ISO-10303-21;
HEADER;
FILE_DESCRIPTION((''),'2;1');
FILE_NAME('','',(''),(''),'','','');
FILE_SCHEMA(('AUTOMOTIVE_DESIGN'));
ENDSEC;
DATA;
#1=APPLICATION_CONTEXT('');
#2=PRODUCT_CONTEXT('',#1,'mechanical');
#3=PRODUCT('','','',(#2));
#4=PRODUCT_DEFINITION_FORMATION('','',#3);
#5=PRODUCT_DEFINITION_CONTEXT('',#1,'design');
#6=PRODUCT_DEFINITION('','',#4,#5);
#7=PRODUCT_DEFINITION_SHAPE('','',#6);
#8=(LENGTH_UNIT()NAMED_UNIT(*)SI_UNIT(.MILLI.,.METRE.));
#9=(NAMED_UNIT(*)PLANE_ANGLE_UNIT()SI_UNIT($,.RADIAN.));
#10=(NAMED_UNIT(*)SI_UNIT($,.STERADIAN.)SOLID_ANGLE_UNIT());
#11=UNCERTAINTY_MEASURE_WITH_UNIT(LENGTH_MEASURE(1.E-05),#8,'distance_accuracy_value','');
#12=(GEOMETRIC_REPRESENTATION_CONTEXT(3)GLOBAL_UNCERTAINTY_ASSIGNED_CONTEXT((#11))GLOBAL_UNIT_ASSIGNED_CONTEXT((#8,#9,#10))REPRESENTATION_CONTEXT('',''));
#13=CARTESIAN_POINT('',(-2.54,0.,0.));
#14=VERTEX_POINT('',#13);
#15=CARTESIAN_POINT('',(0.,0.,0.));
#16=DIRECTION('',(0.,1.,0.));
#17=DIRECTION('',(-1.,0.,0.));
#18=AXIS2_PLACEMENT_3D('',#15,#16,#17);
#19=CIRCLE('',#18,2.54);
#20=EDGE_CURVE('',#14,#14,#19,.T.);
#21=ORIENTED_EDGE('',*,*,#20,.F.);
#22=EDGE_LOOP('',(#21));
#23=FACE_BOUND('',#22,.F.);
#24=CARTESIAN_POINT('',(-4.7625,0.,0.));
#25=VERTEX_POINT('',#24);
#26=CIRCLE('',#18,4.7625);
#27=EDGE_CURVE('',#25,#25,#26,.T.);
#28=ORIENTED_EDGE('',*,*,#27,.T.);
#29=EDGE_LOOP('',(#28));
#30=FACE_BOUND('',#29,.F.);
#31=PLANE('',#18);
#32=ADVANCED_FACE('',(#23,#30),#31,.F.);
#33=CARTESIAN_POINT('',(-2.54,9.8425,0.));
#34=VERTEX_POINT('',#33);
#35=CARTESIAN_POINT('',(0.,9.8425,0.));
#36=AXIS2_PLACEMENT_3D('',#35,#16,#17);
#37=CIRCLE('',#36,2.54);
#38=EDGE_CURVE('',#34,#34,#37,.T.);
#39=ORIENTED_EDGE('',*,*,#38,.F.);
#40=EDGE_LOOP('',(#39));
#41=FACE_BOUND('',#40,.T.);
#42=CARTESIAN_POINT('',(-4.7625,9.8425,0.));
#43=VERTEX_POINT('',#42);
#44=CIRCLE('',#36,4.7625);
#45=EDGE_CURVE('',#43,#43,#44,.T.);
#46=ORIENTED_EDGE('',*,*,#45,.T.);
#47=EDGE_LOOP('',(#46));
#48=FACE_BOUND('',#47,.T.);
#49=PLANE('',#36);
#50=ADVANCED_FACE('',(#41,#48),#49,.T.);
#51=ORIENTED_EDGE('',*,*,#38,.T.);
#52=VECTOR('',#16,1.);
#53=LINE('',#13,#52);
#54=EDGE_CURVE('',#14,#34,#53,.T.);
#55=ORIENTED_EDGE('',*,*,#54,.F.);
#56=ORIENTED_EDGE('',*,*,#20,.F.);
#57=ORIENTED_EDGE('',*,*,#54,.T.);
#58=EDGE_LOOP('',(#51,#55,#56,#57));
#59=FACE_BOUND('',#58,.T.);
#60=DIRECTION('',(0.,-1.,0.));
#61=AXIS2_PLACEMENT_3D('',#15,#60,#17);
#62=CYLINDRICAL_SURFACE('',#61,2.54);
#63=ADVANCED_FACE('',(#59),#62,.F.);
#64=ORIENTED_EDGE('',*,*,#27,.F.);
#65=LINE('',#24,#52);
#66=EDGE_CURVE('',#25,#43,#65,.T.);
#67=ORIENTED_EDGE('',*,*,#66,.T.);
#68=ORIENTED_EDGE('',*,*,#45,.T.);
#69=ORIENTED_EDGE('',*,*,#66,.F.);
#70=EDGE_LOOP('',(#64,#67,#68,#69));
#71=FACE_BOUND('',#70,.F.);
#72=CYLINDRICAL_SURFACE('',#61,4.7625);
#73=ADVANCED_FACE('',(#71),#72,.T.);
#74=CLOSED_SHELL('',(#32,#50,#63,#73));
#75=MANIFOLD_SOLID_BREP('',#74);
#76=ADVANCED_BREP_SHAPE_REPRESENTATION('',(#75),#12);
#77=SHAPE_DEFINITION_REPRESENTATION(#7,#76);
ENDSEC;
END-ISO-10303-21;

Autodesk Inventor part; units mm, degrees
ref_plane "YZ Plane" through (0, 0, 0) normal (1, 0, 0) x (0, 1, 0)
ref_plane "XZ Plane" through (0, 0, 0) normal (0, 1, 0) x (-1, 0, 0)
ref_plane "XY Plane" through (0, 0, 0) normal (0, 0, 1) x (1, 0, 0)
sketch "Sketch1" plane through (0, 0, 0) normal (0, 1, 0) x (-1, 0, 0)
  circle A0 centre (0, 0) radius 4.7625
  circle A1 centre (0, 0) radius 2.54
  dimension "d0" = 9.525
  dimension "d1" = 5.08
extrude "Extrusion1" add sketch "Sketch1" along normal blind 9.8425
properties part number "Belt Pulley Spacer" material "Nylon 6/6"
